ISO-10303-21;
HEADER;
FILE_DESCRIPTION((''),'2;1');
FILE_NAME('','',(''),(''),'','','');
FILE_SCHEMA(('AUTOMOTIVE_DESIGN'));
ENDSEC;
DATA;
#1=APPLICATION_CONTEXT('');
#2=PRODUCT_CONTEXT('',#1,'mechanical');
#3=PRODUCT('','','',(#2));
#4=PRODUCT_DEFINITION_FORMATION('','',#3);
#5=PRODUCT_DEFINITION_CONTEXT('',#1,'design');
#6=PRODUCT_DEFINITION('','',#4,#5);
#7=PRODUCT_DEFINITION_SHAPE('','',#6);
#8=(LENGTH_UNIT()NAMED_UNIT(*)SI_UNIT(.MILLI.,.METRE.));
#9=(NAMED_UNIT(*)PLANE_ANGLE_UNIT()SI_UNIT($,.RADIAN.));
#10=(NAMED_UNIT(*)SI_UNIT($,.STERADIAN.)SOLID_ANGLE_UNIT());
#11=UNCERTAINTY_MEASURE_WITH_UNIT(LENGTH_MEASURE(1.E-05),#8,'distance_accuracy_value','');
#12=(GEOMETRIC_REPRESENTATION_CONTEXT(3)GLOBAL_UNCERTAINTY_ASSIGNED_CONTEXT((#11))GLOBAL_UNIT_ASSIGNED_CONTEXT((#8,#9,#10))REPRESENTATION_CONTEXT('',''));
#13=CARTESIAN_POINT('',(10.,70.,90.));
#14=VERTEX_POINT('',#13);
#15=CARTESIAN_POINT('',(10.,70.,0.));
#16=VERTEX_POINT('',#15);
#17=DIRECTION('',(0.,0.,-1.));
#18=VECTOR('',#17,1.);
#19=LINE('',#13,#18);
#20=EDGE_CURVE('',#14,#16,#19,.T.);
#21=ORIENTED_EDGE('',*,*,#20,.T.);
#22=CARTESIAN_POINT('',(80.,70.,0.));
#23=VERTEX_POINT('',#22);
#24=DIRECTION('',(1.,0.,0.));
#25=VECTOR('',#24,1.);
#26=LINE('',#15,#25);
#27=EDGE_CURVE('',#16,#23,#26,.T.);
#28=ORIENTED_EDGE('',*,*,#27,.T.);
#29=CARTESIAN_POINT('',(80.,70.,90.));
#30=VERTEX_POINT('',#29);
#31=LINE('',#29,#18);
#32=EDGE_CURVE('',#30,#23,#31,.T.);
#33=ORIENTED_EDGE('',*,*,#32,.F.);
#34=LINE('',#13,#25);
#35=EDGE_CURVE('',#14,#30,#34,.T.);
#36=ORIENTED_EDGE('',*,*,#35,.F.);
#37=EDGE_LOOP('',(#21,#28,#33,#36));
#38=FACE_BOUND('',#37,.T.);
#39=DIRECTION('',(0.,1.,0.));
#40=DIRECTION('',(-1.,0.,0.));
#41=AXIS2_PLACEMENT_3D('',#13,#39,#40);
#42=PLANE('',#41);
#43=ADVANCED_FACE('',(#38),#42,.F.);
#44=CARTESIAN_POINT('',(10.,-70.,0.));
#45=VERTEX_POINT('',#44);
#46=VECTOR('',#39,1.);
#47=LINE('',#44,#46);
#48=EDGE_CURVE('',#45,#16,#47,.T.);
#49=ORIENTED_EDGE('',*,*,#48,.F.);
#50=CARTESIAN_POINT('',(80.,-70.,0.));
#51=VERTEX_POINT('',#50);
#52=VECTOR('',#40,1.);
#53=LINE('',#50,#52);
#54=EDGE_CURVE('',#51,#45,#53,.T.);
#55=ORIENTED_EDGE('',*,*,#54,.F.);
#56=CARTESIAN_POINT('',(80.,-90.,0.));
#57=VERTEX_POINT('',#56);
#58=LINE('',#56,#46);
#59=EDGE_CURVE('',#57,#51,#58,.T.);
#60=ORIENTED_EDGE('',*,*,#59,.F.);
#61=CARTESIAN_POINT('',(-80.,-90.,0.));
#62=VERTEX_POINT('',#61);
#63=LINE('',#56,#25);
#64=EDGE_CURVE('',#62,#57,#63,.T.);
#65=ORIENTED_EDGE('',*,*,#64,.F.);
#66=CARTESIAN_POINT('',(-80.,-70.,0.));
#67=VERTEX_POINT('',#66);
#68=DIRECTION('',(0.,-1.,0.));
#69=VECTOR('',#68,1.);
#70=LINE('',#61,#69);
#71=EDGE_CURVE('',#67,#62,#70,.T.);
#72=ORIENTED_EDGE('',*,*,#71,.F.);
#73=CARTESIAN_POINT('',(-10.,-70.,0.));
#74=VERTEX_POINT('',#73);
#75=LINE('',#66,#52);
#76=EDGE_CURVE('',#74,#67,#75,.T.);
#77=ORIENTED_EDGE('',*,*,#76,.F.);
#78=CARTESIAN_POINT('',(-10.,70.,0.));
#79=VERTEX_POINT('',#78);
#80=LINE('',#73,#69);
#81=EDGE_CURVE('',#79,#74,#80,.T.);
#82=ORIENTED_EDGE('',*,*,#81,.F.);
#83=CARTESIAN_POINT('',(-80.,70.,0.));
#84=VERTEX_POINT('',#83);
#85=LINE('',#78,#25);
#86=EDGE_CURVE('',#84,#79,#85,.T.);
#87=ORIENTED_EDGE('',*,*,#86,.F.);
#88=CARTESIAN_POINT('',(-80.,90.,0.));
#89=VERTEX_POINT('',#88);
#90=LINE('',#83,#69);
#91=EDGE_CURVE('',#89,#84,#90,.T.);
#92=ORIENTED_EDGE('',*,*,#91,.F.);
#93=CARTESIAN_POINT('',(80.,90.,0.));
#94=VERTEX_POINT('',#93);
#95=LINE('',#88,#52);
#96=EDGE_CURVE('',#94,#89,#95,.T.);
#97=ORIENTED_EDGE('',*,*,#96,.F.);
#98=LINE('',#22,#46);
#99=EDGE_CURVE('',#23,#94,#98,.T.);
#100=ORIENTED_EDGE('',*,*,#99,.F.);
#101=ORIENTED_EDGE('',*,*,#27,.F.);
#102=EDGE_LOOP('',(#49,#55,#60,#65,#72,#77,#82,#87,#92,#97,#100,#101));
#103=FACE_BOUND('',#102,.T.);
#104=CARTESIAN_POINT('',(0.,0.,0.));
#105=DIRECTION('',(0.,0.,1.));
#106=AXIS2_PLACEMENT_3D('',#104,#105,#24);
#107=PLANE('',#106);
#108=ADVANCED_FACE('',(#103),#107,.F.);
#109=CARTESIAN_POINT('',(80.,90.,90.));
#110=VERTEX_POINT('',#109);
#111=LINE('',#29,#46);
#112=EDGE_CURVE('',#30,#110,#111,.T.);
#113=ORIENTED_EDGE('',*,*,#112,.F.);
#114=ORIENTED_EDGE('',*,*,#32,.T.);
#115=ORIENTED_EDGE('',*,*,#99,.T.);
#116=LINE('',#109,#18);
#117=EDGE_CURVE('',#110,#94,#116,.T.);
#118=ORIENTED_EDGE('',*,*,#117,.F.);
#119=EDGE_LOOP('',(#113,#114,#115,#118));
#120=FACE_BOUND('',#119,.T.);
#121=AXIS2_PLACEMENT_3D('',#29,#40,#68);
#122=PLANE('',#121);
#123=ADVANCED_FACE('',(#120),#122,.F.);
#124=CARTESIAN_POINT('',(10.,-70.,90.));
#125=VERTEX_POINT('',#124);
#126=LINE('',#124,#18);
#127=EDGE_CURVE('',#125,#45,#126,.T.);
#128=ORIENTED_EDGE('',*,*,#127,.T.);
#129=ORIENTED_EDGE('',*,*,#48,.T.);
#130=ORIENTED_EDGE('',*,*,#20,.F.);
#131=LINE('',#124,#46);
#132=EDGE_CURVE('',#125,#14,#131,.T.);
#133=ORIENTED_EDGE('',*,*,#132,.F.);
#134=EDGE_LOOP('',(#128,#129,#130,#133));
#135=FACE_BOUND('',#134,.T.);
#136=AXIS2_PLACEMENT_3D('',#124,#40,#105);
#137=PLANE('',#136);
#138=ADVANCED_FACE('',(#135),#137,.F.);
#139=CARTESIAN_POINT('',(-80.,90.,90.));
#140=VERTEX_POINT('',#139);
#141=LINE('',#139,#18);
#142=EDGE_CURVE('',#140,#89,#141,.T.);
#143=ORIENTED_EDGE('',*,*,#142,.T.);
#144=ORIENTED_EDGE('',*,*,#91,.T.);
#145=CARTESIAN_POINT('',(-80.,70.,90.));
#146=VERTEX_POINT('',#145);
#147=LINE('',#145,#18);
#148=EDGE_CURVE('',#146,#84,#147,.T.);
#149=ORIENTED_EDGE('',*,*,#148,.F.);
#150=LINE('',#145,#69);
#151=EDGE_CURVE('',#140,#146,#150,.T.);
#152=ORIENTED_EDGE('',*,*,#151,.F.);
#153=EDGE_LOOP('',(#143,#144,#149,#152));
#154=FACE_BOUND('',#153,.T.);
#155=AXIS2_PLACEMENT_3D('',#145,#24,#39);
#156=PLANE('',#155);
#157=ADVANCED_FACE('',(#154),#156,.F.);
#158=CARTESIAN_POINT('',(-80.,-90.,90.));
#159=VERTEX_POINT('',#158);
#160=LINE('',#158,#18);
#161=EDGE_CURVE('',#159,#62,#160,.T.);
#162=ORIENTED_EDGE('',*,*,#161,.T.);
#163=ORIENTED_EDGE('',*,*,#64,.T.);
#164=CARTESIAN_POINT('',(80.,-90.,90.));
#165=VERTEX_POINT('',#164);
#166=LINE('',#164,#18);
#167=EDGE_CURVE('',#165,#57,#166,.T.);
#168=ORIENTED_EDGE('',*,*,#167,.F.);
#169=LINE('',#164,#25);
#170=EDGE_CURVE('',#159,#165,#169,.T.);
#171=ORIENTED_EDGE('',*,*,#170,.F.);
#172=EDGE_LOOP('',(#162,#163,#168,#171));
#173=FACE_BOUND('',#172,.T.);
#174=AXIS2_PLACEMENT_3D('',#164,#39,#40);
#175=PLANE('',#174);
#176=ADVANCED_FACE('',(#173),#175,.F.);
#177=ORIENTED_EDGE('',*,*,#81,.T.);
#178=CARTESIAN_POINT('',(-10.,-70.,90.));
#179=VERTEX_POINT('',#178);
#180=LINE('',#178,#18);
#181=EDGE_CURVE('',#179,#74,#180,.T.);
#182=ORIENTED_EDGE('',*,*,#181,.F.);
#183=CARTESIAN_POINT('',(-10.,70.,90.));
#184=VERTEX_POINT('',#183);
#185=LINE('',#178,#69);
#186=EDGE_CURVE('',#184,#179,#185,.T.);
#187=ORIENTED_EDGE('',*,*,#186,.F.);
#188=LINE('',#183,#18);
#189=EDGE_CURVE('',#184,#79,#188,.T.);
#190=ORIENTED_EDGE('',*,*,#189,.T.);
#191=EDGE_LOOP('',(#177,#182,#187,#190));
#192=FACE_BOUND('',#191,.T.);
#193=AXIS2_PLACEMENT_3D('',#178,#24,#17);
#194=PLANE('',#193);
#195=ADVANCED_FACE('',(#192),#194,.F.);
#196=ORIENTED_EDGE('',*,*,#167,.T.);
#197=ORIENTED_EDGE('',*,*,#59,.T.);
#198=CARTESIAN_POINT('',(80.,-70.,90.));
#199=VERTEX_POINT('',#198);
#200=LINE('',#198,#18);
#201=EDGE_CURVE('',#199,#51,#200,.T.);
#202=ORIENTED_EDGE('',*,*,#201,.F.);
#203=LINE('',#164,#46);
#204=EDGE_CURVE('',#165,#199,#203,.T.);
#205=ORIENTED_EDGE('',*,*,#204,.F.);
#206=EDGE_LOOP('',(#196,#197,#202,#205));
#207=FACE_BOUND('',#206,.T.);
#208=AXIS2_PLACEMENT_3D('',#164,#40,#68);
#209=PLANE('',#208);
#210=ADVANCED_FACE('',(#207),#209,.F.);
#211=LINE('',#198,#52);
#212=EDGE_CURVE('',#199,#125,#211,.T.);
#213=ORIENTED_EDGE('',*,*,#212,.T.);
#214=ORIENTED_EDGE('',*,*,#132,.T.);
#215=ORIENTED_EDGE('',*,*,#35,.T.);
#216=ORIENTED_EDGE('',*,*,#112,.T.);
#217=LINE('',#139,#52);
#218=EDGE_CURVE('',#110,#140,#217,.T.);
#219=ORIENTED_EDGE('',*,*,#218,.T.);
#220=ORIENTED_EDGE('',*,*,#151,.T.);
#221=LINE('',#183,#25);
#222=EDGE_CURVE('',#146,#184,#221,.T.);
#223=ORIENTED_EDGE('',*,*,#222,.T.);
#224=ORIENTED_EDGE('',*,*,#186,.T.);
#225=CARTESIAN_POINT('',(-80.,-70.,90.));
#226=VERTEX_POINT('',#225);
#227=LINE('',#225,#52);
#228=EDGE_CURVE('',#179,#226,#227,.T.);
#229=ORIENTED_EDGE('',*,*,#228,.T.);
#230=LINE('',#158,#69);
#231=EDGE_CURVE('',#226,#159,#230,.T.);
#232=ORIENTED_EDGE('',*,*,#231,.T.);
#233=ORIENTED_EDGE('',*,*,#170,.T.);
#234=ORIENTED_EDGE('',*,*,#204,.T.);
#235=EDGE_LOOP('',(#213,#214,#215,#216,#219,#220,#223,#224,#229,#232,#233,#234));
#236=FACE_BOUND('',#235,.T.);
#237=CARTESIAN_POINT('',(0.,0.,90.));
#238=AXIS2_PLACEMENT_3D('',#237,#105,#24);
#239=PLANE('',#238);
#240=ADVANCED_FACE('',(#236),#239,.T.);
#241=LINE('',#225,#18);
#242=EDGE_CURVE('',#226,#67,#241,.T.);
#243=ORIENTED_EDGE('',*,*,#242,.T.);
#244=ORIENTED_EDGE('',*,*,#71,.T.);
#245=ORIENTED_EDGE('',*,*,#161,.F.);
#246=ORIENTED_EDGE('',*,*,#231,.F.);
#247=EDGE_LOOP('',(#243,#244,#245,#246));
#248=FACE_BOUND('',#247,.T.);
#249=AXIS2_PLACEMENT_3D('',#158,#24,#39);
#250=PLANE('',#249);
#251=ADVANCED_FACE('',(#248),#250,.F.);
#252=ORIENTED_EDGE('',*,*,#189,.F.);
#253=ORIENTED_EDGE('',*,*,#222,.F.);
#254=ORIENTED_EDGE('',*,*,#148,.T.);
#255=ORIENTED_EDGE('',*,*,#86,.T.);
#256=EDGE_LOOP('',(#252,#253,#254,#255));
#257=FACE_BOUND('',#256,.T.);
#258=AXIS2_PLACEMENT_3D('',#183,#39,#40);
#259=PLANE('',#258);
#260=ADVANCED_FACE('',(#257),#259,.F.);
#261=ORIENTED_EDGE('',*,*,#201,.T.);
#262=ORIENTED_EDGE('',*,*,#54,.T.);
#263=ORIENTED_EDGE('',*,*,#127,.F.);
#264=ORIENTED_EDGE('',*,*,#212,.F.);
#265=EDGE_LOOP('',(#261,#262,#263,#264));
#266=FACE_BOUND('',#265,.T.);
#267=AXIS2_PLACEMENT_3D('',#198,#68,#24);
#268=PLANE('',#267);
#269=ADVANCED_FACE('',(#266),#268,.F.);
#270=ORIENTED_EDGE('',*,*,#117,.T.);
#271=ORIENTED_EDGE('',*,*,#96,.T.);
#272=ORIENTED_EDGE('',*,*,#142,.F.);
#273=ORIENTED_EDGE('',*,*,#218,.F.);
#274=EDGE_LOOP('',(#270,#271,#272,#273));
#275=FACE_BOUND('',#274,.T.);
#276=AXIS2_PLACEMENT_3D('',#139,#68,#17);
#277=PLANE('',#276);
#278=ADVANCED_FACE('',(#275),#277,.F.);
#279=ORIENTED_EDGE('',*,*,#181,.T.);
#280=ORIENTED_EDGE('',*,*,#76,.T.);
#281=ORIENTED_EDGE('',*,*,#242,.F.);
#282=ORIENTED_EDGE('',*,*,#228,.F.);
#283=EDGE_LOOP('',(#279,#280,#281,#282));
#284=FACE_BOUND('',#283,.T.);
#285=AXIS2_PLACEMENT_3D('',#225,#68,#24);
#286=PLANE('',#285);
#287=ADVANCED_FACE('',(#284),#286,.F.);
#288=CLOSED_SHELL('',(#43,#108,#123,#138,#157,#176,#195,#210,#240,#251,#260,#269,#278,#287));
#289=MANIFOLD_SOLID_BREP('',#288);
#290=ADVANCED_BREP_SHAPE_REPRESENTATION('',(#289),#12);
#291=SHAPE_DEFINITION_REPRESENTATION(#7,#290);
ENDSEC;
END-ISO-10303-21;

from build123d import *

# Parameters (mm, degrees)
BOSS_EXTRUDE1_DEPTH = 90


with BuildPart() as part:
    # Sketch1 → Boss-Extrude1 (new body)
    with BuildSketch(Plane.XY):
        Polygon((80, -90), (-80, -90), (-80, -70), (-10, -70), (-10, 70), (-80, 70), (-80, 90), (80, 90), (80, 70), (10, 70), (10, -70), (80, -70), align=None)
    extrude(amount=BOSS_EXTRUDE1_DEPTH)


solid = part.part
